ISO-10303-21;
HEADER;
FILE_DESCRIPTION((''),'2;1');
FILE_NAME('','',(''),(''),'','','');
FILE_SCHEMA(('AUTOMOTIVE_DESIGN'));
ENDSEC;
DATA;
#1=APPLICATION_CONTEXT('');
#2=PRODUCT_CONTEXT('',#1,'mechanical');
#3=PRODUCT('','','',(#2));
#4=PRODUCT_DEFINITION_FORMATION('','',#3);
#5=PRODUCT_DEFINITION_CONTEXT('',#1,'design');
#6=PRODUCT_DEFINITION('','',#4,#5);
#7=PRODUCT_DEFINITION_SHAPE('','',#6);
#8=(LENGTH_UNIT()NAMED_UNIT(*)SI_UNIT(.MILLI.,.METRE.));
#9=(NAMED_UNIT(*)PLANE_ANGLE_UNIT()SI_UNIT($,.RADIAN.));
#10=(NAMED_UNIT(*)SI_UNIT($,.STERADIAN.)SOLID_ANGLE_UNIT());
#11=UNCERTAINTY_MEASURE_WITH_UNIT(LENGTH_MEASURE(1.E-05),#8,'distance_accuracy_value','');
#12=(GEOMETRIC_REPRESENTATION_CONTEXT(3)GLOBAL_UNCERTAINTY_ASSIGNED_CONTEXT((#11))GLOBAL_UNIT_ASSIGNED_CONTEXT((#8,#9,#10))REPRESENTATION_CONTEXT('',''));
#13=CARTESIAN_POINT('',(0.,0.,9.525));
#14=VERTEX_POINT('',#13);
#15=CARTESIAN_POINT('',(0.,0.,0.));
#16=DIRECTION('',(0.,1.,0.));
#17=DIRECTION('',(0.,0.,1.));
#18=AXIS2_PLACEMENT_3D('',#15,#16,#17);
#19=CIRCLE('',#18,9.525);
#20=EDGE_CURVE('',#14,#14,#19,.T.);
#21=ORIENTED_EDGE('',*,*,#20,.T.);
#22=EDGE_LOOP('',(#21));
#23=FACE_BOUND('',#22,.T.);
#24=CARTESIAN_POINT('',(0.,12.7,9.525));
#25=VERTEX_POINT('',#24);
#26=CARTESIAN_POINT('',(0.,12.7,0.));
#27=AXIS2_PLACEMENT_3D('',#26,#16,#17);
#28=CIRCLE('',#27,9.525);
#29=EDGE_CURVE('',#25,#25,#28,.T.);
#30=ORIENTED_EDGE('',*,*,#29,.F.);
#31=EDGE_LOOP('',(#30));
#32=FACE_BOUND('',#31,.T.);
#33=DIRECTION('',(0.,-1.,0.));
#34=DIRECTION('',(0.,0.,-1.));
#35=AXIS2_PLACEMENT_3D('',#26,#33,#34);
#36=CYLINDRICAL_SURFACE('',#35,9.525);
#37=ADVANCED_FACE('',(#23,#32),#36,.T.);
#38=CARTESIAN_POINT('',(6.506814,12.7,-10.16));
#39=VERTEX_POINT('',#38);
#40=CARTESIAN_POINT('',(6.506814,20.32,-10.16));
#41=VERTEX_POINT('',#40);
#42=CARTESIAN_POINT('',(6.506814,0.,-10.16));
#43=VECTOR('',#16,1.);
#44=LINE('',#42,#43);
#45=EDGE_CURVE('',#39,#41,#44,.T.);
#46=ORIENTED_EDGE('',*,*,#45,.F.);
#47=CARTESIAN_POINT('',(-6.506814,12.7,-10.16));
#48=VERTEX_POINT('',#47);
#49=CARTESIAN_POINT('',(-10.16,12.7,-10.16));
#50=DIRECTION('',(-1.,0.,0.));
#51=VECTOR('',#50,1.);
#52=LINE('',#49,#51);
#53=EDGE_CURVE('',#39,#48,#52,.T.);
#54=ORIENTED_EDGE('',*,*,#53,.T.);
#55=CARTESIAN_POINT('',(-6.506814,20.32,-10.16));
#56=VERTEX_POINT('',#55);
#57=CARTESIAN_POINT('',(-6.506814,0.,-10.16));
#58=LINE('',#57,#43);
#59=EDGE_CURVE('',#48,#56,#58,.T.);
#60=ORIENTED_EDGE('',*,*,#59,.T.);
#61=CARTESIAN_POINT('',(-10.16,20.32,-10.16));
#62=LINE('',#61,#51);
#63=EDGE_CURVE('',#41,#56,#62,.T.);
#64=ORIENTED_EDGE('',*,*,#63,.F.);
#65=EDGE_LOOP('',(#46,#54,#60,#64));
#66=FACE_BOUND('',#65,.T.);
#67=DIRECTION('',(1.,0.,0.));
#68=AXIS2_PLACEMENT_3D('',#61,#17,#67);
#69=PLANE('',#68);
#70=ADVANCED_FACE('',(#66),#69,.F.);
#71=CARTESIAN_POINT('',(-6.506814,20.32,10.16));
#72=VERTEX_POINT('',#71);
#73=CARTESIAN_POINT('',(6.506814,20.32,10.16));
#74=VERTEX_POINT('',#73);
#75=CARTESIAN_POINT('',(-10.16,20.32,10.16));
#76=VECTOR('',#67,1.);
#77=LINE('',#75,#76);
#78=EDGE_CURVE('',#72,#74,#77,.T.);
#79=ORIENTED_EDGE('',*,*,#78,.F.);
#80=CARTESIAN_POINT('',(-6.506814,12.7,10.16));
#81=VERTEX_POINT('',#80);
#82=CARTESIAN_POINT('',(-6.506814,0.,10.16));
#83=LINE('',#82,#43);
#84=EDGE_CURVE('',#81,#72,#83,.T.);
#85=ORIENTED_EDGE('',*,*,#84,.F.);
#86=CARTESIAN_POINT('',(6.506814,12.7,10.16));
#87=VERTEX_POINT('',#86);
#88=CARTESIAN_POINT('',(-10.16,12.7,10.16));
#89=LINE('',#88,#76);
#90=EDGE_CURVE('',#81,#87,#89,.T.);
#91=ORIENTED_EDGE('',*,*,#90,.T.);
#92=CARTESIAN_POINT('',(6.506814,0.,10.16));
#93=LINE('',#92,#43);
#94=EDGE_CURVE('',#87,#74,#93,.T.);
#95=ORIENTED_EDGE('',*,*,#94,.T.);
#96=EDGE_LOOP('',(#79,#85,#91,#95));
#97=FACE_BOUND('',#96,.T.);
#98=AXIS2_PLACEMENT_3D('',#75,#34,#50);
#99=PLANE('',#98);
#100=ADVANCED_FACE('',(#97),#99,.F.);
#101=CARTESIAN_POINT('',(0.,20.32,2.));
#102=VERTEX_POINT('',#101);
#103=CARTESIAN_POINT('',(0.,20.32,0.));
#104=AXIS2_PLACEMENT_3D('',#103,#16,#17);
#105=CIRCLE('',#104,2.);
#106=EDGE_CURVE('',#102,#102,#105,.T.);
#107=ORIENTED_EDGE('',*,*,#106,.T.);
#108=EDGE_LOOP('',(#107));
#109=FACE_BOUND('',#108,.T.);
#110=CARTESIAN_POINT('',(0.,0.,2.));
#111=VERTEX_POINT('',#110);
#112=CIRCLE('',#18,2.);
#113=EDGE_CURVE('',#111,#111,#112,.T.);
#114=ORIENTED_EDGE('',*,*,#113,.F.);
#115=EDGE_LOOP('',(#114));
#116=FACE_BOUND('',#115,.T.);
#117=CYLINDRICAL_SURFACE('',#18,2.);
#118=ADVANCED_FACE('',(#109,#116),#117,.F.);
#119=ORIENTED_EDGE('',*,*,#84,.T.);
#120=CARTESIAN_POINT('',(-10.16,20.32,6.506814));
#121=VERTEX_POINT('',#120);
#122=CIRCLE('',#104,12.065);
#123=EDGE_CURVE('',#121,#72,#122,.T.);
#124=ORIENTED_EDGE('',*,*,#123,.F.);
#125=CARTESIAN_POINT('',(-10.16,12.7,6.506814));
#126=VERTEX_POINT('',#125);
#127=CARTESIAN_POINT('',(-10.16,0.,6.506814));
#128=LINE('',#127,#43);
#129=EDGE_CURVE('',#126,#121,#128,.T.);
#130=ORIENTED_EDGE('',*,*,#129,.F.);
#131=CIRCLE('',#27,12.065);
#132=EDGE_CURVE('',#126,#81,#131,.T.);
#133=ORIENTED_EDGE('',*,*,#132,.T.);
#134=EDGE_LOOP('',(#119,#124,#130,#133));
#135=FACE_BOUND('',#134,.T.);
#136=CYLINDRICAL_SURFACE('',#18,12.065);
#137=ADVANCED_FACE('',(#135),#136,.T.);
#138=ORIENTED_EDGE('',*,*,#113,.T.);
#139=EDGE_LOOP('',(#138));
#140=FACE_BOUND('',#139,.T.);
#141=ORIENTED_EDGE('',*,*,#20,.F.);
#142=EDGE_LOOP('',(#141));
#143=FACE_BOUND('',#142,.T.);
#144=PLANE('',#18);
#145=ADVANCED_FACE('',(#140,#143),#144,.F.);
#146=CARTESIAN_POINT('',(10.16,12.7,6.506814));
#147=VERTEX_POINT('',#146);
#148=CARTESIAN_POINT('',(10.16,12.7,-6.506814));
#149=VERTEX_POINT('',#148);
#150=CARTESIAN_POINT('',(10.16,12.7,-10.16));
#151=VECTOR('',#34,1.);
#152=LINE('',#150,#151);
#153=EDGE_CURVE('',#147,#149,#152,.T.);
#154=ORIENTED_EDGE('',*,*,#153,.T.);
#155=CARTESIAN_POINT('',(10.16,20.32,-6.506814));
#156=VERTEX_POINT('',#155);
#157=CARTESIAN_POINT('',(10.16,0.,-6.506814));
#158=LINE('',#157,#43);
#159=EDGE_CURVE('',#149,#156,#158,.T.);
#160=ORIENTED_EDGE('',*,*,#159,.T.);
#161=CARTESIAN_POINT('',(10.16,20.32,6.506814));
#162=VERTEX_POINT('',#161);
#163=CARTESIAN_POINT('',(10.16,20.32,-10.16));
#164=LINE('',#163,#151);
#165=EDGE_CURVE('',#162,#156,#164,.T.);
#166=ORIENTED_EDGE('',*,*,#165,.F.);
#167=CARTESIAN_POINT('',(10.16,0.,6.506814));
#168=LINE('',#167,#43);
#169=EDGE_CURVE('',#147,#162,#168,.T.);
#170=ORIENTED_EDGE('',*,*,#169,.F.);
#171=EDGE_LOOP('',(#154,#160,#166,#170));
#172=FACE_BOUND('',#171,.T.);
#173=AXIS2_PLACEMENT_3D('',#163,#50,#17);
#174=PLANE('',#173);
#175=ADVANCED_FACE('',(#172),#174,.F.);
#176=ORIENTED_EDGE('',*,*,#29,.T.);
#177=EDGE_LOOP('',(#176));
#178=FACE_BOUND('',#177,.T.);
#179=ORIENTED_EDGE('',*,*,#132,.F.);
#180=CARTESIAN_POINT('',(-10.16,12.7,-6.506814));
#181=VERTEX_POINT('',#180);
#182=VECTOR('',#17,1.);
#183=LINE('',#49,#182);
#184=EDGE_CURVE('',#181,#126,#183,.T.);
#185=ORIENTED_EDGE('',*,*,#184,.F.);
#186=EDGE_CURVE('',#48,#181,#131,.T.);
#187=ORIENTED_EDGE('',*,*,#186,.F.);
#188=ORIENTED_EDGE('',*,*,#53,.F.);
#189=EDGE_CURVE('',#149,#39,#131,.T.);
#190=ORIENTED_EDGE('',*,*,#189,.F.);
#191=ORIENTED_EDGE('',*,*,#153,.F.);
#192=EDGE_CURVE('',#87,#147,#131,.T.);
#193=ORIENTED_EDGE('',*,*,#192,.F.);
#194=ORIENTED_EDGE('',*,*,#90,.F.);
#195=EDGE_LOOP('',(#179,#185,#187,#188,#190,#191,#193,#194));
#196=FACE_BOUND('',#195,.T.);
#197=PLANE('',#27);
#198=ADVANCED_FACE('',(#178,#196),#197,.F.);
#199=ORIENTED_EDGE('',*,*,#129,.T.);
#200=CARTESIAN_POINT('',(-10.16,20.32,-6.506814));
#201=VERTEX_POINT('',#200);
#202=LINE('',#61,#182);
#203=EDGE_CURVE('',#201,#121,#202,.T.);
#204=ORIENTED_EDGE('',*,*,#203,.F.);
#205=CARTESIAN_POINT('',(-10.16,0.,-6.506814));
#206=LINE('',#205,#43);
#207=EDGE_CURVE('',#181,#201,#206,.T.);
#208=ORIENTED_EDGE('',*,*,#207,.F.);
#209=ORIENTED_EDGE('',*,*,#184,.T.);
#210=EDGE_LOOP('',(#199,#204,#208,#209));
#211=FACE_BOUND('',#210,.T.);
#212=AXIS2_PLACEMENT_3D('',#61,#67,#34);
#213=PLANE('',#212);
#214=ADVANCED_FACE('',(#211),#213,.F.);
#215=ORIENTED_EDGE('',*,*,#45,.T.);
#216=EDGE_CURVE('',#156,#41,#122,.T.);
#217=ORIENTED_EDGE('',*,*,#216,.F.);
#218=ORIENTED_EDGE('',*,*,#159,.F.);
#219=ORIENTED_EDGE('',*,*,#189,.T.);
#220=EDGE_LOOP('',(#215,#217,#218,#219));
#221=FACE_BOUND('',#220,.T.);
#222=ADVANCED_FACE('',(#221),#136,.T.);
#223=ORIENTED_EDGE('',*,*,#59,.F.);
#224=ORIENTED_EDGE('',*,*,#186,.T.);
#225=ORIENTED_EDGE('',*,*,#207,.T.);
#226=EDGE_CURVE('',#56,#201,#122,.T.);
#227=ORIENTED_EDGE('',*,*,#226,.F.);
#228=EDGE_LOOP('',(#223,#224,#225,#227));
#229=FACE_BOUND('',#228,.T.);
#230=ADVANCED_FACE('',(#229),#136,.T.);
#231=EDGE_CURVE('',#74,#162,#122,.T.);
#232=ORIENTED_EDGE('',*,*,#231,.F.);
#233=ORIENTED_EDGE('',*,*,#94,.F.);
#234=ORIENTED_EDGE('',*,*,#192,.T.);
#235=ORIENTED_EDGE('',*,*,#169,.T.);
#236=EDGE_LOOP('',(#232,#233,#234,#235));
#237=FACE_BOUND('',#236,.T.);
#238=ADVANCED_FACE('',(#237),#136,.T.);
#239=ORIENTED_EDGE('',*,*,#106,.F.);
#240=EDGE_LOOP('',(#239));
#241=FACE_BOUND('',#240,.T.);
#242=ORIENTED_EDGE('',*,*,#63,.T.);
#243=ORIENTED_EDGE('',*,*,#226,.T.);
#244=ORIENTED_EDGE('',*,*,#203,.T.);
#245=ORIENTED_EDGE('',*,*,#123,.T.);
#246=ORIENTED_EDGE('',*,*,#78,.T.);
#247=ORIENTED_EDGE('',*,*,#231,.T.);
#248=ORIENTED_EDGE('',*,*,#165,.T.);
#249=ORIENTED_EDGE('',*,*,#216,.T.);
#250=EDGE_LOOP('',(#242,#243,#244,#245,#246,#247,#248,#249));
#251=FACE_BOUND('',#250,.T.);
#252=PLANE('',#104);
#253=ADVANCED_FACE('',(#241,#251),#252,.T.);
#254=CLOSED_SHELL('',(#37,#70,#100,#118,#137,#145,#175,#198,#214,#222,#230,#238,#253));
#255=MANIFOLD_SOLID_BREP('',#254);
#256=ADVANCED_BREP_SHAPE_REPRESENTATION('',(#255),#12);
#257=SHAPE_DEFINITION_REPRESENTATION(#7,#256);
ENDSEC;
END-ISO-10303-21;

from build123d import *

# Parameters (mm, degrees)
SKETCH1_R           = 9.525
BOSS_EXTRUDE1_DEPTH = 12.7
SKETCH2_W           = 20.32
SKETCH2_H           = 20.32
BOSS_EXTRUDE2_DEPTH = 7.62
CUT_EXTRUDE2_DEPTH  = 25.886815787
SKETCH5_R           = 2.000000064
CUT_EXTRUDE3_DEPTH  = 25.886815787


with BuildPart() as part:
    # Sketch1 → Boss-Extrude1 (new body)
    with BuildSketch(Plane(origin=(0, 0, 0), x_dir=(1, 0, 0), z_dir=(0, 1, 0))):
        Circle(SKETCH1_R)
    extrude(amount=BOSS_EXTRUDE1_DEPTH)

    # Sketch2 → Boss-Extrude2 (add)
    with BuildSketch(Plane(origin=(0, 12.7, 0), x_dir=(1, 0, 0), z_dir=(0, 1, 0))):
        Rectangle(SKETCH2_W, SKETCH2_H)
    extrude(amount=BOSS_EXTRUDE2_DEPTH)

    # Sketch3 → Cut-Extrude2 (cut, through all)
    with BuildSketch(Plane(origin=(0, 20.32, 0), x_dir=(1, 0, 0), z_dir=(0, 1, 0))):
        with BuildLine():
            Line((-6.506813736, 10.16), (-10.16, 10.16))
            Line((-10.16, 10.16), (-10.16, 6.506813736))
            ThreePointArc((-10.16, 6.506813736), (-8.531243315, 8.531243315), (-6.506813736, 10.16))
        make_face()
        with BuildLine():
            Line((10.16, 10.16), (6.506813736, 10.16))
            ThreePointArc((6.506813736, 10.16), (8.531243315, 8.531243315), (10.16, 6.506813736))
            Line((10.16, 6.506813736), (10.16, 10.16))
        make_face()
        with BuildLine():
            ThreePointArc((-6.506813736, -10.16), (-8.531243315, -8.531243315), (-10.16, -6.506813736))
            Line((-10.16, -6.506813736), (-10.16, -10.16))
            Line((-10.16, -10.16), (-6.506813736, -10.16))
        make_face()
        with BuildLine():
            Line((10.16, -10.16), (10.16, -6.506813736))
            ThreePointArc((10.16, -6.506813736), (8.531243315, -8.531243315), (6.506813736, -10.16))
            Line((6.506813736, -10.16), (10.16, -10.16))
        make_face()
    extrude(amount=-CUT_EXTRUDE2_DEPTH, mode=Mode.SUBTRACT)

    # Sketch5 → Cut-Extrude3 (cut, through all)
    with BuildSketch(Plane(origin=(0, 20.32, 0), x_dir=(1, 0, 0), z_dir=(0, 1, 0))):
        Circle(SKETCH5_R)
    extrude(amount=-CUT_EXTRUDE3_DEPTH, mode=Mode.SUBTRACT)


solid = part.part
